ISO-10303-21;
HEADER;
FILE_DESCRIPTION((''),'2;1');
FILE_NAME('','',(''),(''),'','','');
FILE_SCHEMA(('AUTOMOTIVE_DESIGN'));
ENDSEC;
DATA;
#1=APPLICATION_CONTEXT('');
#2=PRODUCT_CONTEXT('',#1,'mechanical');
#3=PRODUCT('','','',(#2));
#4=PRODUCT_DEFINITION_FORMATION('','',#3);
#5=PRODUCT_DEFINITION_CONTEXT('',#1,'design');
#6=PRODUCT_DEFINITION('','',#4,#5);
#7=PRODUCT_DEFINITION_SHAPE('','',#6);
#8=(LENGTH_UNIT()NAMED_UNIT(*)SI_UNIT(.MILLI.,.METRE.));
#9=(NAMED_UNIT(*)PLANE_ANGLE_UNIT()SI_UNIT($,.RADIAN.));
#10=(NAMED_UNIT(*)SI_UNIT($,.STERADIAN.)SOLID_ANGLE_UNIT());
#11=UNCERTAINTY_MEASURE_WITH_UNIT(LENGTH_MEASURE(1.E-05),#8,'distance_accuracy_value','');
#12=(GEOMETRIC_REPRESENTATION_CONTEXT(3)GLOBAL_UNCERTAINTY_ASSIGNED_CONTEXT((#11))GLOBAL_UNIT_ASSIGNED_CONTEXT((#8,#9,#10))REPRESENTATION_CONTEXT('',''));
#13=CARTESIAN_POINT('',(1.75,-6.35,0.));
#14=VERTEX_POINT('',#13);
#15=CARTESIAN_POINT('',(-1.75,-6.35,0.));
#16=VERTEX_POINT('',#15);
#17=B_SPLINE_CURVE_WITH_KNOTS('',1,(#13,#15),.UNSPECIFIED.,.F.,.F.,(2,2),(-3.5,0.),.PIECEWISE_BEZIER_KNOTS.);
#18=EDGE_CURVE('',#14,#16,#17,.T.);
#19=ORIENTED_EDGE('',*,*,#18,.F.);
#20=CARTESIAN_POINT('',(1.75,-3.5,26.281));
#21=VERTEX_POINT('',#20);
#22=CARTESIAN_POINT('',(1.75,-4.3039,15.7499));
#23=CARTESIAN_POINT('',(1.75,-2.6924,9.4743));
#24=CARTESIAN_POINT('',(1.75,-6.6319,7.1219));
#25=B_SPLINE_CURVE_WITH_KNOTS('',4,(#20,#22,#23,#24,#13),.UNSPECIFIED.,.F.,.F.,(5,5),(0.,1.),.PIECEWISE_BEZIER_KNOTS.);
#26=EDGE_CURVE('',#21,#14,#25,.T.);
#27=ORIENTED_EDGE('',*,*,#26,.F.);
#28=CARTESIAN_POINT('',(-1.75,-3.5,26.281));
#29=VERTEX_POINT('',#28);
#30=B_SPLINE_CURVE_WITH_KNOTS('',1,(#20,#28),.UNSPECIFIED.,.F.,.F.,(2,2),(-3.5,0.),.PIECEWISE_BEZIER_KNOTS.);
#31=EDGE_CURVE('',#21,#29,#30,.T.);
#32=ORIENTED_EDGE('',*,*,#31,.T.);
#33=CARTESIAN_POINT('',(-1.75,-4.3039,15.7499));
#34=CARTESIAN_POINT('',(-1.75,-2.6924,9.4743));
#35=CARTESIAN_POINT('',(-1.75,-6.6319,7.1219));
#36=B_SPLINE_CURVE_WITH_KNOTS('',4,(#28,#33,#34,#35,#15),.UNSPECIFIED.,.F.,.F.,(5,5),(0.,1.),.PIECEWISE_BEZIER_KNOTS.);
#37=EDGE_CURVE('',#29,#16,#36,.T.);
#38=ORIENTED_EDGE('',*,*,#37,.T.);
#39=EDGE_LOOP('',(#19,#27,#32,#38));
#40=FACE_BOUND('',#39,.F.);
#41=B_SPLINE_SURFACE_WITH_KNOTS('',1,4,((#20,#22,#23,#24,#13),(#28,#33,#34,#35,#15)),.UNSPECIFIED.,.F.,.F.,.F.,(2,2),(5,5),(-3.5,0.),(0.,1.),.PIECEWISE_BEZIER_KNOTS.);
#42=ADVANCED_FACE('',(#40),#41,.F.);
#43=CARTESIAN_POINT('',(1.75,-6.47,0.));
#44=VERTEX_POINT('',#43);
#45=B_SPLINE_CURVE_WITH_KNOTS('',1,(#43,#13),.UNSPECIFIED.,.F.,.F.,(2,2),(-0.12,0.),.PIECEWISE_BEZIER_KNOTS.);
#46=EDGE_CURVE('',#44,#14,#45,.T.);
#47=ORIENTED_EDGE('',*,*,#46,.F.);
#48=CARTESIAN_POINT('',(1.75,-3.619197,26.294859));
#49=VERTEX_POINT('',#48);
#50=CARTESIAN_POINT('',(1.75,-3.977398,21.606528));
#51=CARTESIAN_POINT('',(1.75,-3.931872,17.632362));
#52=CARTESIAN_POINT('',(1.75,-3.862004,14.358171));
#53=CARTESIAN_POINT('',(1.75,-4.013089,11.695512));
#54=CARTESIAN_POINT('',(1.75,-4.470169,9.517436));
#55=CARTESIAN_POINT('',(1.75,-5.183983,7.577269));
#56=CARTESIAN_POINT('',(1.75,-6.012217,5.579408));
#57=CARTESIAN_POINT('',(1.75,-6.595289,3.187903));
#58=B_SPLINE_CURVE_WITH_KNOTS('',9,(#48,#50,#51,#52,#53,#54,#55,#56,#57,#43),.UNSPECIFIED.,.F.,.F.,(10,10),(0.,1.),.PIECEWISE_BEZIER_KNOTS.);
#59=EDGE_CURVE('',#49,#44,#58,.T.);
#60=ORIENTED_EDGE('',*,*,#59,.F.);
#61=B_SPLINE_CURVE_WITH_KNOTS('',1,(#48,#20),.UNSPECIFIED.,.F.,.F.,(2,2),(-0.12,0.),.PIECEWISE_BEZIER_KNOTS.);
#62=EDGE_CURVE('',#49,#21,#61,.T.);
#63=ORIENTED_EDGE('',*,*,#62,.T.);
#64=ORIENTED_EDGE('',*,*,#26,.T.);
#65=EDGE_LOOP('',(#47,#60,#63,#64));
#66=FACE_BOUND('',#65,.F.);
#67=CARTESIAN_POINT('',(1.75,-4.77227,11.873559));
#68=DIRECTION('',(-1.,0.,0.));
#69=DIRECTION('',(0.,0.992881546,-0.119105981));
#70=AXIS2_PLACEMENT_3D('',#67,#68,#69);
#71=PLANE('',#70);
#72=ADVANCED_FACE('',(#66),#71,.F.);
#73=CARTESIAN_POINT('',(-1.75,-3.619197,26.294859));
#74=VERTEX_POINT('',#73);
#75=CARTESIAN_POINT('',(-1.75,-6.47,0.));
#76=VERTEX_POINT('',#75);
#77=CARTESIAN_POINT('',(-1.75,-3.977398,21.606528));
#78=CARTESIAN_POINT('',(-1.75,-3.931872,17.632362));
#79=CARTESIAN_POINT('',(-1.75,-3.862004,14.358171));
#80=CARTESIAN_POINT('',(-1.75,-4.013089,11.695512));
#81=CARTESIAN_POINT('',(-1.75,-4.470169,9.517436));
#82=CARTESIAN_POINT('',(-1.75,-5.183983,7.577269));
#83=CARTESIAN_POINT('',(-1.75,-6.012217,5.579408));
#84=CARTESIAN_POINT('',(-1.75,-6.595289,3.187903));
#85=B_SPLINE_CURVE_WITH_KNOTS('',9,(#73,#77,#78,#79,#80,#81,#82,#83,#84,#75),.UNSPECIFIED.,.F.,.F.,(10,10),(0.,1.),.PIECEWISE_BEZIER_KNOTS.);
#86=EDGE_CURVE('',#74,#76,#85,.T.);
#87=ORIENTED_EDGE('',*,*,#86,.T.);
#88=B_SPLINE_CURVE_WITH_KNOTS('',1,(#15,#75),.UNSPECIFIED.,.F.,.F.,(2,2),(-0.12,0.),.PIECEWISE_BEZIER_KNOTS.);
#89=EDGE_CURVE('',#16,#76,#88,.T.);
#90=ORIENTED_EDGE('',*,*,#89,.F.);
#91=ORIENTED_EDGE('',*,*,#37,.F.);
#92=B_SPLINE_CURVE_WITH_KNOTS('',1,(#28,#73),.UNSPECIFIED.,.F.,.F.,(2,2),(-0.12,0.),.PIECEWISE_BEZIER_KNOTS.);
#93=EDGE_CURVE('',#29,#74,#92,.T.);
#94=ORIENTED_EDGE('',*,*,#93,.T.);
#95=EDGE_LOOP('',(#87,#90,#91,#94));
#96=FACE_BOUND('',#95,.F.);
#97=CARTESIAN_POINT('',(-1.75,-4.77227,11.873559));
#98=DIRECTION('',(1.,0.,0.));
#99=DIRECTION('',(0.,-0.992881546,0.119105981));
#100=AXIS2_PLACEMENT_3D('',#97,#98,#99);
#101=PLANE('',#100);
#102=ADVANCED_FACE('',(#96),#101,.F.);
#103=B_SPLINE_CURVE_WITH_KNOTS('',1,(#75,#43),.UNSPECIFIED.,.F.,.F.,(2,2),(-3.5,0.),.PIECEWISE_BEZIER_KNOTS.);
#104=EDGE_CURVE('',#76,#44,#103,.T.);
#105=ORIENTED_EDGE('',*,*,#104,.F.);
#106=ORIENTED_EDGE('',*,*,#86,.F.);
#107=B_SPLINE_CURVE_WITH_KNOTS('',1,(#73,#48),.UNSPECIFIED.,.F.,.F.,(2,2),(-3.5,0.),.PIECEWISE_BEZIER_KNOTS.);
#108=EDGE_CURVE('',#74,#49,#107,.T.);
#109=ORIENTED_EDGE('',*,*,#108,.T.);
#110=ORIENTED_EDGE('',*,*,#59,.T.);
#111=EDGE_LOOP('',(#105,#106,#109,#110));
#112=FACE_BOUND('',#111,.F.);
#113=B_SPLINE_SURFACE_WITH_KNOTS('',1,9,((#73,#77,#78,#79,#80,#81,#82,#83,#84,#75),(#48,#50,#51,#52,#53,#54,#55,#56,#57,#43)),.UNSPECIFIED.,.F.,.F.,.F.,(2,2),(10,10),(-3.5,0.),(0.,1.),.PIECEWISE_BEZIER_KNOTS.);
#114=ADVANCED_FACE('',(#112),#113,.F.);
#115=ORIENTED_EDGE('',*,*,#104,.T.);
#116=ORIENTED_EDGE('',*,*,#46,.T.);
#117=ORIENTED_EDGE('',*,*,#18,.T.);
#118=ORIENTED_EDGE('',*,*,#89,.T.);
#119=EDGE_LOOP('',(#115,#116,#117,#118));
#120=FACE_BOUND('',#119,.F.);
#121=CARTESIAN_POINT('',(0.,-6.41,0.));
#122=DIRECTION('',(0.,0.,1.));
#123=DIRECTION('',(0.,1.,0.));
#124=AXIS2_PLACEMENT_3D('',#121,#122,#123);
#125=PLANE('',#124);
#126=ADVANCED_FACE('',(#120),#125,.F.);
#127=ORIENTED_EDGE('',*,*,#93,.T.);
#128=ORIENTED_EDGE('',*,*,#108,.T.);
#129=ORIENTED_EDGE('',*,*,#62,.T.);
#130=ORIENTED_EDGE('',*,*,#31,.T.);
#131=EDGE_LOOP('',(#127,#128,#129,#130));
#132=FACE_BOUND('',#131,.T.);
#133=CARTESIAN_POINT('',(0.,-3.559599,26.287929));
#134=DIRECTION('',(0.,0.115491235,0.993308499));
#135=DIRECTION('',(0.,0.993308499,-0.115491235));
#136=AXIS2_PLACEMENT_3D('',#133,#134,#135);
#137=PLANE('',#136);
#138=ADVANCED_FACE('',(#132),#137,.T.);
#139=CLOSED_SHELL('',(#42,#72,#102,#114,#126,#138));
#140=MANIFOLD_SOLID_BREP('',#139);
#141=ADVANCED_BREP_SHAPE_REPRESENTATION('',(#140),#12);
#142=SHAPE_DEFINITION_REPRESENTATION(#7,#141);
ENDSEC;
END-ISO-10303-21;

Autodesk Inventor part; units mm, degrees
ref_plane "YZ Plane" through (0, 0, 0) normal (1, 0, 0) x (0, 1, 0)
ref_plane "XZ Plane" through (0, 0, 0) normal (0, 1, 0) x (-1, 0, 0)
ref_plane "XY Plane" through (0, 0, 0) normal (0, 0, 1) x (1, 0, 0)
sketch "Sketch1" plane through (0, 0, 0) normal (0, 0, 1) x (1, 0, 0)
  line L0 (-1.75, -6.35) -> (1.75, -6.35)
  line L1 (1.75, -6.35) -> (1.75, -6.47)
  line L2 (1.75, -6.47) -> (-1.75, -6.47)
  line L3 (-1.75, -6.47) -> (-1.75, -6.35)
  point P0 (0, 0)
  point P1 (0, -6.35)
  point P2 (-1.75, -6.41)
  dimension "d0" = 3.5
  dimension "d1" = 0.12
  dimension "d4" = 6.35
sketch "Sketch2" plane through (0, 0, 0) normal (1, 0, 0) x (0, 1, 0)
  line L0 (0, -5.726) -> (0, 31.9231) projected
  spline S0 degree 4 poles (-3.5, 26.281) (-4.3039, 15.7499) (-2.6924, 9.4743) (-6.6319, 7.1219) (-6.35, 0) knots 0 0 0 0 0 1 1 1 1 1
  point P0 (0, 0)
  point P1 (-6.47, 0)
  point P2 (-3.9242, 14.9005)
  point P3 (-5.6789, 5.5029)
  point P4 (-4.6261, 9.5583)
  dimension "d2" = 3.5
  dimension "d3" = 26.281
sweep "Sweep1" add profiles "Sketch1" path "Sketch2" path curves S0
properties part number "FPCB_2"
